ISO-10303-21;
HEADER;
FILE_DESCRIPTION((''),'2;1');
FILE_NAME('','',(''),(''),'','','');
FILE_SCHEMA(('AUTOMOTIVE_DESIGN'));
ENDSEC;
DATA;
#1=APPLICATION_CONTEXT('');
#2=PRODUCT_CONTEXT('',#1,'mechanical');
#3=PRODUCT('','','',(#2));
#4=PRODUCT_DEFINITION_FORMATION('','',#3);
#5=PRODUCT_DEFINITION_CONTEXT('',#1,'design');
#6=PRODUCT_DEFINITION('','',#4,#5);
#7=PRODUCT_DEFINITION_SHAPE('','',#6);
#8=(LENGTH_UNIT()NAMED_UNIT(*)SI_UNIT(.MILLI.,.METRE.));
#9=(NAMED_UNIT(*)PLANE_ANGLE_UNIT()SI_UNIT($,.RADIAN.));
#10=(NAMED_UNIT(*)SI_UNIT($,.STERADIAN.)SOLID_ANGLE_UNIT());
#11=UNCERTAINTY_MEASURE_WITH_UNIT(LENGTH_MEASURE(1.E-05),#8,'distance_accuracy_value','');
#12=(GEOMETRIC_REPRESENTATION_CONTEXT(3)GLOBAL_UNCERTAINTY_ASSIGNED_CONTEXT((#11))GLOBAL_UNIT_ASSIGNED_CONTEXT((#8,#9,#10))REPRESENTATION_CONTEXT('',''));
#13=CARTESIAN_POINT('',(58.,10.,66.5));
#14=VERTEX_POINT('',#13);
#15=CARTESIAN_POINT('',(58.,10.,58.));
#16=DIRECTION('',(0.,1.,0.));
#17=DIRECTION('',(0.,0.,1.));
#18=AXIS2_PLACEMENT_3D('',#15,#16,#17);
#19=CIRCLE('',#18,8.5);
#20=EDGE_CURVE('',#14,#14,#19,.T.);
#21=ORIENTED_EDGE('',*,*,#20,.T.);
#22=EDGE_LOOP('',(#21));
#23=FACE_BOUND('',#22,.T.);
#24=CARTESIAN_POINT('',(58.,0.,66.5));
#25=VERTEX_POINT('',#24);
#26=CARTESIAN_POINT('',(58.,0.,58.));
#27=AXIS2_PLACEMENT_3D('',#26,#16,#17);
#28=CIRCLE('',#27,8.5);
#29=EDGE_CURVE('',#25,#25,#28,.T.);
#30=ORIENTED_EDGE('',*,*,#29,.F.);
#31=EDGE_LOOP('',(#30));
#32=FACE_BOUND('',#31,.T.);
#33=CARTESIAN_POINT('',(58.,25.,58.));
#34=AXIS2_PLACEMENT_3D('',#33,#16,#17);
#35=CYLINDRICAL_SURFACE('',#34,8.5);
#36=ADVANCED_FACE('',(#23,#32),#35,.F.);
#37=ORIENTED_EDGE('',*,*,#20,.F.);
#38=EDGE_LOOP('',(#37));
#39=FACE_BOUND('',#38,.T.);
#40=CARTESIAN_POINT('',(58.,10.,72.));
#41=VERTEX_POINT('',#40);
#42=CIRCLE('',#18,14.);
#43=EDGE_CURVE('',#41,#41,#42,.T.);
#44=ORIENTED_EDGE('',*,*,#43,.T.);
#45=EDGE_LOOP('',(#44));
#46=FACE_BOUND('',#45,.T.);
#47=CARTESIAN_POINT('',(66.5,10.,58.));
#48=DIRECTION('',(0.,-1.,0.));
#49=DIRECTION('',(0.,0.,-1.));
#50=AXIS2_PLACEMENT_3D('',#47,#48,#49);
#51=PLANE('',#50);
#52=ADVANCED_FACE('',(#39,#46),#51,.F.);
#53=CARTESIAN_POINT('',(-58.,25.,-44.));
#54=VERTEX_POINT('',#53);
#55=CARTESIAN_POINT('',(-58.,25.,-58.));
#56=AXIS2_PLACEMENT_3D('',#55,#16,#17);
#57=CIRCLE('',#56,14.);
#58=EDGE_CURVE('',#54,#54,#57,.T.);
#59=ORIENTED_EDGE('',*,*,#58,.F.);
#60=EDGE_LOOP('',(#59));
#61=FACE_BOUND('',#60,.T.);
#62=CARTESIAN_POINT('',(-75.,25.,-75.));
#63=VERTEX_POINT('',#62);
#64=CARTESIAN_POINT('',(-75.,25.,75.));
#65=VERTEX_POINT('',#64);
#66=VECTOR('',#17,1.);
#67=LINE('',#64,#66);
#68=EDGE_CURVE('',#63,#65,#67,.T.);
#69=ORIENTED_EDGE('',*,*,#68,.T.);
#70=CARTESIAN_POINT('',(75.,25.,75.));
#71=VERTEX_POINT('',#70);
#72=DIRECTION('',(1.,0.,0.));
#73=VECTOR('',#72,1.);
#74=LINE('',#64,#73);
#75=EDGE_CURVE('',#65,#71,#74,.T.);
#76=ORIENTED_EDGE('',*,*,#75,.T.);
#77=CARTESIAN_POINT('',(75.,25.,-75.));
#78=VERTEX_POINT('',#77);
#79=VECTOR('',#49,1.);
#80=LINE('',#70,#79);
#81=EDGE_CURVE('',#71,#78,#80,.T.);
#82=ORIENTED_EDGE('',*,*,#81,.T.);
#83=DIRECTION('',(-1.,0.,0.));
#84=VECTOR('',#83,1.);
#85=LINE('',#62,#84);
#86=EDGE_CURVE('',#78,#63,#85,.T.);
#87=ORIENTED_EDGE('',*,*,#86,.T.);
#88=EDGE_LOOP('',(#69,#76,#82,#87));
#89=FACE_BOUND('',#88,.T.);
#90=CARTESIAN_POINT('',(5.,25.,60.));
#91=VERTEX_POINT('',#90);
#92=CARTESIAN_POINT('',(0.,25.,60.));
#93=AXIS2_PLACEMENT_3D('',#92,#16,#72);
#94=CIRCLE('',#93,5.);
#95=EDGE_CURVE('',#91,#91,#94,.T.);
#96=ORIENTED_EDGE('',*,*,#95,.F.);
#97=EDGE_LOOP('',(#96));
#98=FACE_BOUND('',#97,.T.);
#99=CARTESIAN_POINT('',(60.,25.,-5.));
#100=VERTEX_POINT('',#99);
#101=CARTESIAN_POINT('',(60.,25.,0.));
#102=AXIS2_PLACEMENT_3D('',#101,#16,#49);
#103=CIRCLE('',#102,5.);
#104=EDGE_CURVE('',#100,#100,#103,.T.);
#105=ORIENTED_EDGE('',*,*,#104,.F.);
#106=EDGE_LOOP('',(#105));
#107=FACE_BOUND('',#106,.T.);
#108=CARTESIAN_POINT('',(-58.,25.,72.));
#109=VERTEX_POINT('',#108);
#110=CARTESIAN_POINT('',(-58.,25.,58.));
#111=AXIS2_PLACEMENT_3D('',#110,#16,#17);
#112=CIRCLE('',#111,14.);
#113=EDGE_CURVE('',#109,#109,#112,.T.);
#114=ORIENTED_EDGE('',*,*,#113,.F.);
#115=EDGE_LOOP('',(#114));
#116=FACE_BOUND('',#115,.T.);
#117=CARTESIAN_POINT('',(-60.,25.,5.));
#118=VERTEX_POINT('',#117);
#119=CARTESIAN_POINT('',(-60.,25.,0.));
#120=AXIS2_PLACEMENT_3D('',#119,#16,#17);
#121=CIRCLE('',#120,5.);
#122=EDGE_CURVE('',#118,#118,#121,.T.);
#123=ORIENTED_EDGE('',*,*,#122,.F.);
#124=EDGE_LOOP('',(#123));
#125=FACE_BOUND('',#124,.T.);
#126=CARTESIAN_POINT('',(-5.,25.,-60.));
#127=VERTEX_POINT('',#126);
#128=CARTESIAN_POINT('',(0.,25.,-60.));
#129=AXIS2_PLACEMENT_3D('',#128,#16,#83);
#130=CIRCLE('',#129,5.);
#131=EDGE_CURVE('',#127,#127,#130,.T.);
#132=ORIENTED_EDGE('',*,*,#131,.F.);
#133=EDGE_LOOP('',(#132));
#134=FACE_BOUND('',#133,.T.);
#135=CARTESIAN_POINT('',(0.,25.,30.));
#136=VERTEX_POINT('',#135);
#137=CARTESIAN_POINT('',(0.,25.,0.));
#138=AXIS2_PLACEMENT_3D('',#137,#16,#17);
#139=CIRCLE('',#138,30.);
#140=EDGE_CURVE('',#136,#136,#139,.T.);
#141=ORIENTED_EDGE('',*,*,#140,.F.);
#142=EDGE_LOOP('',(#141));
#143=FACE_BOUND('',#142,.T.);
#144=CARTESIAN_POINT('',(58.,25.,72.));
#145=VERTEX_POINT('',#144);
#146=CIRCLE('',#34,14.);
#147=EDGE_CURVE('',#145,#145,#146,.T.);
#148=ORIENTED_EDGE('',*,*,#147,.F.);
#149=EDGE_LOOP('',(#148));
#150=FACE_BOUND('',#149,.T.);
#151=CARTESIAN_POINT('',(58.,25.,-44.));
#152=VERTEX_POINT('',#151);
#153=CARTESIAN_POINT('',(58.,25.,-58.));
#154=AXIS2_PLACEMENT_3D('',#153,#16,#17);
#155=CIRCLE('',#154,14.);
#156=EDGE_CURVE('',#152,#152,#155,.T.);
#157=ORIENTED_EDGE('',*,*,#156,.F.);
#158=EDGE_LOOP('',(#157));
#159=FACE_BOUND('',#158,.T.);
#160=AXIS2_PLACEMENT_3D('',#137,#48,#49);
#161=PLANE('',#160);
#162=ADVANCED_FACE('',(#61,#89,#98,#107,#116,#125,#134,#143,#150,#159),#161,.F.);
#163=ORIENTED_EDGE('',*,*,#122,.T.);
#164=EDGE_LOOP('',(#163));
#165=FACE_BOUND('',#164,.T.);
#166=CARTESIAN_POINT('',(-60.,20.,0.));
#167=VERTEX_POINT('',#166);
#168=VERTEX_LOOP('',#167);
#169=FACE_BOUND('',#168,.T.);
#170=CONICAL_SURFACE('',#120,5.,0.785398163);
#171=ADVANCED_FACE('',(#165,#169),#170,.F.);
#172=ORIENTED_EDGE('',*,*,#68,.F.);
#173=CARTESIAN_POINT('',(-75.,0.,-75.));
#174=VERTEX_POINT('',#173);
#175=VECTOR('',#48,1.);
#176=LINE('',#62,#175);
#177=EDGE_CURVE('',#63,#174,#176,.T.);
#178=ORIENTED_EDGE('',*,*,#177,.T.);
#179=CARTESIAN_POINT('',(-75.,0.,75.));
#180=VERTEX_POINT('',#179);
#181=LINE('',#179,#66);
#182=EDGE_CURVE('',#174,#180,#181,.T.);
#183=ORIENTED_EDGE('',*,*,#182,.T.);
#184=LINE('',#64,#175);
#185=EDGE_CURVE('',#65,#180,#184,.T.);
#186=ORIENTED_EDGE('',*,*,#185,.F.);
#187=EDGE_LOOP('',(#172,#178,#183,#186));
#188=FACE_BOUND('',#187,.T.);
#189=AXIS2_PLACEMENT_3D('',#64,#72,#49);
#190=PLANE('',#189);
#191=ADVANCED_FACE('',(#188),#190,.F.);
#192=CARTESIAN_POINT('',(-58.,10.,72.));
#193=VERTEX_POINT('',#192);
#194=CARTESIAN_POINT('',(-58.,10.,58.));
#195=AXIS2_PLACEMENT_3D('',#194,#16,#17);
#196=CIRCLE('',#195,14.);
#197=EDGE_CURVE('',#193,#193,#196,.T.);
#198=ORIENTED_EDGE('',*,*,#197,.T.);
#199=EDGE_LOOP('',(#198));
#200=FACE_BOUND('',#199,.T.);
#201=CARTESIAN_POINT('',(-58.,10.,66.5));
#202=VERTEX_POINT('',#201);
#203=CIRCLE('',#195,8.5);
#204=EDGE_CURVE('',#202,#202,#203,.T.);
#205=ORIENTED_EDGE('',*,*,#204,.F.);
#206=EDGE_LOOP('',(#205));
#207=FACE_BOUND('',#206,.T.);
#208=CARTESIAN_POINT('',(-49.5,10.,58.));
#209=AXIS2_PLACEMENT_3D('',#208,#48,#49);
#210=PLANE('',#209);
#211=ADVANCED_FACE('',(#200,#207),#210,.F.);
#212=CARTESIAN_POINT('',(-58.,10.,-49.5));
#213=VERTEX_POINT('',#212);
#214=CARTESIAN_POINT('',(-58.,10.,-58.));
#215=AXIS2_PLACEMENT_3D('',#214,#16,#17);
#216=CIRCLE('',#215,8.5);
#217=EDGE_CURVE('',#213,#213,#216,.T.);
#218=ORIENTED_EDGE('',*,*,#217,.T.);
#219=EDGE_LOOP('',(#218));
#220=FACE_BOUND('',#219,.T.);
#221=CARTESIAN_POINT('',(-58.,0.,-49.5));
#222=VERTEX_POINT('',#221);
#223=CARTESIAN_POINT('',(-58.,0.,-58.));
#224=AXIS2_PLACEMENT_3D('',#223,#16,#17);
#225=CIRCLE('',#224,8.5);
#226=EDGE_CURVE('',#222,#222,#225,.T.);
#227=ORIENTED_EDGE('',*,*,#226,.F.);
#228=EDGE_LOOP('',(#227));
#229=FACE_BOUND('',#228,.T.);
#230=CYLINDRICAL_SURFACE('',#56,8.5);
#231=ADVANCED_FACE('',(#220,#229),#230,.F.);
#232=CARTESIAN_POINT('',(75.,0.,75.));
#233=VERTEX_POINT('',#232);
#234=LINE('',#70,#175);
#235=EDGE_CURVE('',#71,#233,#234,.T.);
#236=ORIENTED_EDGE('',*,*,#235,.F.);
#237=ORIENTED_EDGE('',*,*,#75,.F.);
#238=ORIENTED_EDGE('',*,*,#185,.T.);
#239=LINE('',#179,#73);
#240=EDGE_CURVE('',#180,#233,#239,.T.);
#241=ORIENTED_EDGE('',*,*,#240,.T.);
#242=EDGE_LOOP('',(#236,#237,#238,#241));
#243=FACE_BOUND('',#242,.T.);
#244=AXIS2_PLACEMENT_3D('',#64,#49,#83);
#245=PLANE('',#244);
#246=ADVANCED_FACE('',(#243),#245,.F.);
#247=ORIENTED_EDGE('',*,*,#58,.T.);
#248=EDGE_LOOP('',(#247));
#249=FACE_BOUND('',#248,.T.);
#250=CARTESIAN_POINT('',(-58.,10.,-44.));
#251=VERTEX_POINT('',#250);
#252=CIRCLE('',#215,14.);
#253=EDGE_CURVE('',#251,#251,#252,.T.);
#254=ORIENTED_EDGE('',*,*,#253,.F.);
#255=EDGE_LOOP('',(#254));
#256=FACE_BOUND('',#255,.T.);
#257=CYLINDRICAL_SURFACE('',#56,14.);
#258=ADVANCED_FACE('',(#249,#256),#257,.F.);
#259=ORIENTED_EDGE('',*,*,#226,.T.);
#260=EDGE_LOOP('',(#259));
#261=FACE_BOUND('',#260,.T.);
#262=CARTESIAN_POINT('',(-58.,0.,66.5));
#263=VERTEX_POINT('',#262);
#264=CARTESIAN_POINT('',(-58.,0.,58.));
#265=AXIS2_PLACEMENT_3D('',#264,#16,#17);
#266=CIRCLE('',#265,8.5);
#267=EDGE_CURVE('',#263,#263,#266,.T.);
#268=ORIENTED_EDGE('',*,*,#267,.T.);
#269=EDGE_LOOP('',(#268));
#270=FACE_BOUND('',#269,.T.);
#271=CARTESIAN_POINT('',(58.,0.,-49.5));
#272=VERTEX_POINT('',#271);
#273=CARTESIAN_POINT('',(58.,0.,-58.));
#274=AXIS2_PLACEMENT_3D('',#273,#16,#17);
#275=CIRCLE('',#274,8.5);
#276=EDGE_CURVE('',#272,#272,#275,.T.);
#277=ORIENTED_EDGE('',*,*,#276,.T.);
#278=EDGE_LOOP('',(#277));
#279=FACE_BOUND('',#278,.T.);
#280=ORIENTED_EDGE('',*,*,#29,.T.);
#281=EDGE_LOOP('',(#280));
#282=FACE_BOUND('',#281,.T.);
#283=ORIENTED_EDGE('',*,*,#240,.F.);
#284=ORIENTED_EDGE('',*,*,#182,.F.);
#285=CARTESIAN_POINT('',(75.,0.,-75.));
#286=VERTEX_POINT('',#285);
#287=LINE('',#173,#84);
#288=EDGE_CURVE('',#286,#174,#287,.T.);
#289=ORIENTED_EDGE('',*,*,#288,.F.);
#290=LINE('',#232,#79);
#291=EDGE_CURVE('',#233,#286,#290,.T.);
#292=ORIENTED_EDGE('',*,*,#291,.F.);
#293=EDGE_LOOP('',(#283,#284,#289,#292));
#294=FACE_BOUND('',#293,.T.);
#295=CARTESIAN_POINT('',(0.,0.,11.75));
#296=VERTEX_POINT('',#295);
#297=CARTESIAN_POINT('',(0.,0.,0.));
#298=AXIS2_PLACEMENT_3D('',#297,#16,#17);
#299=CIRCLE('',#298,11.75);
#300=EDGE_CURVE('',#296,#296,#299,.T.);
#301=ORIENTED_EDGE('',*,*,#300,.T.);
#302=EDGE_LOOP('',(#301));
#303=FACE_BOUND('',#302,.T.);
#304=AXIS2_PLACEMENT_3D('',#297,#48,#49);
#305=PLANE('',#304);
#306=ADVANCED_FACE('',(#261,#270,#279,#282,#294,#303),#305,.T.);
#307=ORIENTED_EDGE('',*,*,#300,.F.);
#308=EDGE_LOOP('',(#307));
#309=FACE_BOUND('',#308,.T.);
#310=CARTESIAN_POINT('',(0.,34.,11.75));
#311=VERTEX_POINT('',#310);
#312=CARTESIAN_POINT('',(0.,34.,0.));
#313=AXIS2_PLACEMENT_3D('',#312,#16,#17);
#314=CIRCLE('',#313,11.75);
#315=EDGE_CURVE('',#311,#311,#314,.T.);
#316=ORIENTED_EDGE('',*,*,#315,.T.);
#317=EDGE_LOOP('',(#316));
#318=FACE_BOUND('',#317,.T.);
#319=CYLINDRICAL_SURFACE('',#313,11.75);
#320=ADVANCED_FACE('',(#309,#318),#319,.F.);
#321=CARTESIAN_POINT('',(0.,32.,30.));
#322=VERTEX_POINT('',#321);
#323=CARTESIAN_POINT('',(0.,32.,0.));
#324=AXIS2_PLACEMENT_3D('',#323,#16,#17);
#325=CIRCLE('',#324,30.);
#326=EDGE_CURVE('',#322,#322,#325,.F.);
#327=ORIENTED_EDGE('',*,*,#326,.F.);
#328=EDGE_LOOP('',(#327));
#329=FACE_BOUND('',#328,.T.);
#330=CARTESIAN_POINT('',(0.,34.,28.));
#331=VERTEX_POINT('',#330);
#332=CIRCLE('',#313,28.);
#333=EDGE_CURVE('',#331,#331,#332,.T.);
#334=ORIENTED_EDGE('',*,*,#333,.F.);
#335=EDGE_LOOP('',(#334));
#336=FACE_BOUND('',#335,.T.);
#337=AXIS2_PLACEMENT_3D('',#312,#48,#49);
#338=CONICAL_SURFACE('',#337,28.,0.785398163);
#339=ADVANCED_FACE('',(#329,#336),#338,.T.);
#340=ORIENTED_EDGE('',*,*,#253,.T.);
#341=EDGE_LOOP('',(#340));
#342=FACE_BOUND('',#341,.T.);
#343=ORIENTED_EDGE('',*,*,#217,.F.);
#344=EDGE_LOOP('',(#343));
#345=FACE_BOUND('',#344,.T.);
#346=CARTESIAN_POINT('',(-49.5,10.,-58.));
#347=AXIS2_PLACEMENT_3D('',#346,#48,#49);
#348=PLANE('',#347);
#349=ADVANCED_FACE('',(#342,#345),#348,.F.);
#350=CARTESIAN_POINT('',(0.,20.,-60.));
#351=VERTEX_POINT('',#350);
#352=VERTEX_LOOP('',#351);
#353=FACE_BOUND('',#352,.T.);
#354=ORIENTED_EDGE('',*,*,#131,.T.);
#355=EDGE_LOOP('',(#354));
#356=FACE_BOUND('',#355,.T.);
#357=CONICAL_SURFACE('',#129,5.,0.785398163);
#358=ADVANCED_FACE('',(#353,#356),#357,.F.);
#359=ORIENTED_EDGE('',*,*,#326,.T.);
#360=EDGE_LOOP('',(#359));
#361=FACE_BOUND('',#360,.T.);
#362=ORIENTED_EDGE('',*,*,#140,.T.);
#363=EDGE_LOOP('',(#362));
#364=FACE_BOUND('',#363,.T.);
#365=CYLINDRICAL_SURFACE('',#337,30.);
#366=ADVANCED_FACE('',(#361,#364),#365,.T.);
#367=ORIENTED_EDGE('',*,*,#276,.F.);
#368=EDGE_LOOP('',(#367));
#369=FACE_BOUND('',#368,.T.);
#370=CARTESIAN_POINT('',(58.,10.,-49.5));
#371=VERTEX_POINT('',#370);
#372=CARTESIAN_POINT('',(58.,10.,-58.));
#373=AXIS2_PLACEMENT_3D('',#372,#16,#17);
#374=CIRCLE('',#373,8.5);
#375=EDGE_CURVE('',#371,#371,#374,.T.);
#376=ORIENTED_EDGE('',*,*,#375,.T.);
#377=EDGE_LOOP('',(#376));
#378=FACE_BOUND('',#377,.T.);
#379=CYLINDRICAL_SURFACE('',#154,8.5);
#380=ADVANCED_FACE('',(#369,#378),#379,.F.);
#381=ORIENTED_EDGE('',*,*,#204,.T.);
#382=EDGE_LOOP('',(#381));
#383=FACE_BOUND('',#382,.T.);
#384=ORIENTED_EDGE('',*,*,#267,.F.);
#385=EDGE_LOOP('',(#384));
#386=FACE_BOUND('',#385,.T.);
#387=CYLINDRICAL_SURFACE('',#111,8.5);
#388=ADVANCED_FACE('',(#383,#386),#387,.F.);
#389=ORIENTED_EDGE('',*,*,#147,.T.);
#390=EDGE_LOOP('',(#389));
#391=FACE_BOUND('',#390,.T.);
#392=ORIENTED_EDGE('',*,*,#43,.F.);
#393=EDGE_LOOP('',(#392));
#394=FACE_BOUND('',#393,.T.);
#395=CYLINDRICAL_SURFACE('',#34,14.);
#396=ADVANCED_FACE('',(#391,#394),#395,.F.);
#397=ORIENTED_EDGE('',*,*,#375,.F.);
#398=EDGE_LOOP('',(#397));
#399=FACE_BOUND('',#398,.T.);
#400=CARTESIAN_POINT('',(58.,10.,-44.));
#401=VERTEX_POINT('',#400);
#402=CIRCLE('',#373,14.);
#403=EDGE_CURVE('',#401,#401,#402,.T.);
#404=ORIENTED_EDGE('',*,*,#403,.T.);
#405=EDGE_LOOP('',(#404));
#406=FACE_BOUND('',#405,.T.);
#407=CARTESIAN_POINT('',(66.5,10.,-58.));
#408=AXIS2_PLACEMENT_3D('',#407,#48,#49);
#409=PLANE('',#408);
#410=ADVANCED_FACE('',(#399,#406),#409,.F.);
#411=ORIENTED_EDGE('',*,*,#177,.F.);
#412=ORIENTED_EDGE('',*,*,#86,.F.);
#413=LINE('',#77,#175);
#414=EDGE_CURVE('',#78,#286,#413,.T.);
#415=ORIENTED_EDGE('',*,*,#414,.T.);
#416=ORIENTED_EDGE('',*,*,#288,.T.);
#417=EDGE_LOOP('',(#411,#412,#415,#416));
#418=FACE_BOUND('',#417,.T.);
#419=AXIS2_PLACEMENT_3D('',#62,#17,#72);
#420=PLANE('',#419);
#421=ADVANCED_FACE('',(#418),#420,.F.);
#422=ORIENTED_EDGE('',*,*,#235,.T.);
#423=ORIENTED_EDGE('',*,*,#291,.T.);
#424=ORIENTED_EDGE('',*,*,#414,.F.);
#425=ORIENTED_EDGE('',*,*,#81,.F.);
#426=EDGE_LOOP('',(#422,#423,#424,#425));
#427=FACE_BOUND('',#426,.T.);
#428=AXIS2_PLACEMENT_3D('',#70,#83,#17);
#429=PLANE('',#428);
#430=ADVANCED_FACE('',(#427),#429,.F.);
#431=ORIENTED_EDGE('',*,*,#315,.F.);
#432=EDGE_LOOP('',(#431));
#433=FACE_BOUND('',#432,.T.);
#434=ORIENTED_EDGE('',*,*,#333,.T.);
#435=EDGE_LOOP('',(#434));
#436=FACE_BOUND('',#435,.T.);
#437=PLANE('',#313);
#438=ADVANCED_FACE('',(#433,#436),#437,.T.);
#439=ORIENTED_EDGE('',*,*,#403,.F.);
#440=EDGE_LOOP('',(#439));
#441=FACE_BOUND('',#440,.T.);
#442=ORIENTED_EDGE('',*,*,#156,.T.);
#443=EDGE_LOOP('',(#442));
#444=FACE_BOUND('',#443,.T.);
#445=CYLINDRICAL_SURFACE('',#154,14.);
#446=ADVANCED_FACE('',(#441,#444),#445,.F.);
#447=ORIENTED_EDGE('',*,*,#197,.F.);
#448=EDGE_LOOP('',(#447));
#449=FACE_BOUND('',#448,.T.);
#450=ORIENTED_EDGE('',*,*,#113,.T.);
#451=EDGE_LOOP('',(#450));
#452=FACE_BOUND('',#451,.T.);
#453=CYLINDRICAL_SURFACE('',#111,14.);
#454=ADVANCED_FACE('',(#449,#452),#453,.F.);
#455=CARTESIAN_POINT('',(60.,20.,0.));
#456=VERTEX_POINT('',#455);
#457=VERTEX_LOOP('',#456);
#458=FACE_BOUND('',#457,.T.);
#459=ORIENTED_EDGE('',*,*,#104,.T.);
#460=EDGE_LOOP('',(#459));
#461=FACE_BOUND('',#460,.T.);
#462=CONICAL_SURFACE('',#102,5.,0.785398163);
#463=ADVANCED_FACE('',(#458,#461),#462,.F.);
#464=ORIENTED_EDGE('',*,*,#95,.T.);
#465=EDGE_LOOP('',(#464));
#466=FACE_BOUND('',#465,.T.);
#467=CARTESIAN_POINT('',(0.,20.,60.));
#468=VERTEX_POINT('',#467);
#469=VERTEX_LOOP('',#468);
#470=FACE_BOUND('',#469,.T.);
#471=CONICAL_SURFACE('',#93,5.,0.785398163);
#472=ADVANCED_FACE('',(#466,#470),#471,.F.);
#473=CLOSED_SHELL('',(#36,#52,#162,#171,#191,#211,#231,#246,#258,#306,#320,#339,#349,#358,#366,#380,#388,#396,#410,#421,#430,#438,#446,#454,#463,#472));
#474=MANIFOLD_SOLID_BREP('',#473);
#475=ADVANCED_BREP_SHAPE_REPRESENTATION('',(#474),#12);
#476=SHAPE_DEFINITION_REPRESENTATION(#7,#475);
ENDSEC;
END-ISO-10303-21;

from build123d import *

# Parameters (mm, degrees)
SKETCH1_W              = 150
SKETCH1_H              = 150
BOSS_EXTRUDE1_DEPTH    = 25
SKETCH2_R              = 30
BOSS_EXTRUDE2_DEPTH    = 9
CHAMFER1_SIZE          = 2
M25X1_5_TAPPED_HOLE1_D = 23.5
HOLE1_D                = 17
HOLE1_CBORE_D          = 28
HOLE1_CBORE_DEPTH      = 15
CIRPATTERN1_COUNT      = 4


with BuildPart() as part:
    # Sketch1 → Boss-Extrude1 (new body)
    with BuildSketch(Plane(origin=(0, 0, 0), x_dir=(1, 0, 0), z_dir=(0, 1, 0))):
        Rectangle(SKETCH1_W, SKETCH1_H)
    extrude(amount=BOSS_EXTRUDE1_DEPTH)

    # Sketch2 → Boss-Extrude2 (add)
    with BuildSketch(Plane(origin=(0, 25, 0), x_dir=(1, 0, 0), z_dir=(0, 1, 0))):
        with Locations(Location((0, 0, 0), (0, 0, 270))):
            Circle(SKETCH2_R)
    extrude(amount=BOSS_EXTRUDE2_DEPTH)

    # Chamfer1
    chamfer1_edges = [part.edges().sort_by_distance(p)[0] for p in [
        (0, 34, -30),
    ]]
    chamfer(chamfer1_edges, length=CHAMFER1_SIZE)

    # M25x1.5 Tapped Hole1 (through all)
    with Locations(Plane(origin=(0, 34, 0), x_dir=(1, 0, 0), z_dir=(0, 1, 0))):
        with Locations((0, 0)):
            Hole(M25X1_5_TAPPED_HOLE1_D / 2)

    # Hole1 (through all)
    with Locations(Plane(origin=(0, 25, 0), x_dir=(1, 0, 0), z_dir=(0, 1, 0))):
        with Locations((-58, 58), (58, 58), (-58, -58), (58, -58)):
            CounterBoreHole(HOLE1_D / 2, HOLE1_CBORE_D / 2, HOLE1_CBORE_DEPTH)

    # Sketch7 → Cut-Revolve1 (revolve, cut)
    with BuildSketch(Plane.XY, mode=Mode.PRIVATE) as cut_revolve1_sk:
        Polygon((-65, 25), (-60, 20), (-60, 25), align=None)
    cut_revolve1 = revolve(cut_revolve1_sk.sketch.rotate(Axis((-60, 28.226297144, 0), (0, -1, 0)), 270), axis=Axis((-60, 28.226297144, 0), (0, -1, 0)), mode=Mode.SUBTRACT)

    # CirPattern1: Cut-Revolve1 ×4 about axis
    cirpattern1_axis = Axis((0, 0, 0), (0, 1, 0))
    for i in range(1, CIRPATTERN1_COUNT):
        add(cut_revolve1.rotate(cirpattern1_axis, i * 360 / CIRPATTERN1_COUNT), mode=Mode.SUBTRACT)


solid = part.part
